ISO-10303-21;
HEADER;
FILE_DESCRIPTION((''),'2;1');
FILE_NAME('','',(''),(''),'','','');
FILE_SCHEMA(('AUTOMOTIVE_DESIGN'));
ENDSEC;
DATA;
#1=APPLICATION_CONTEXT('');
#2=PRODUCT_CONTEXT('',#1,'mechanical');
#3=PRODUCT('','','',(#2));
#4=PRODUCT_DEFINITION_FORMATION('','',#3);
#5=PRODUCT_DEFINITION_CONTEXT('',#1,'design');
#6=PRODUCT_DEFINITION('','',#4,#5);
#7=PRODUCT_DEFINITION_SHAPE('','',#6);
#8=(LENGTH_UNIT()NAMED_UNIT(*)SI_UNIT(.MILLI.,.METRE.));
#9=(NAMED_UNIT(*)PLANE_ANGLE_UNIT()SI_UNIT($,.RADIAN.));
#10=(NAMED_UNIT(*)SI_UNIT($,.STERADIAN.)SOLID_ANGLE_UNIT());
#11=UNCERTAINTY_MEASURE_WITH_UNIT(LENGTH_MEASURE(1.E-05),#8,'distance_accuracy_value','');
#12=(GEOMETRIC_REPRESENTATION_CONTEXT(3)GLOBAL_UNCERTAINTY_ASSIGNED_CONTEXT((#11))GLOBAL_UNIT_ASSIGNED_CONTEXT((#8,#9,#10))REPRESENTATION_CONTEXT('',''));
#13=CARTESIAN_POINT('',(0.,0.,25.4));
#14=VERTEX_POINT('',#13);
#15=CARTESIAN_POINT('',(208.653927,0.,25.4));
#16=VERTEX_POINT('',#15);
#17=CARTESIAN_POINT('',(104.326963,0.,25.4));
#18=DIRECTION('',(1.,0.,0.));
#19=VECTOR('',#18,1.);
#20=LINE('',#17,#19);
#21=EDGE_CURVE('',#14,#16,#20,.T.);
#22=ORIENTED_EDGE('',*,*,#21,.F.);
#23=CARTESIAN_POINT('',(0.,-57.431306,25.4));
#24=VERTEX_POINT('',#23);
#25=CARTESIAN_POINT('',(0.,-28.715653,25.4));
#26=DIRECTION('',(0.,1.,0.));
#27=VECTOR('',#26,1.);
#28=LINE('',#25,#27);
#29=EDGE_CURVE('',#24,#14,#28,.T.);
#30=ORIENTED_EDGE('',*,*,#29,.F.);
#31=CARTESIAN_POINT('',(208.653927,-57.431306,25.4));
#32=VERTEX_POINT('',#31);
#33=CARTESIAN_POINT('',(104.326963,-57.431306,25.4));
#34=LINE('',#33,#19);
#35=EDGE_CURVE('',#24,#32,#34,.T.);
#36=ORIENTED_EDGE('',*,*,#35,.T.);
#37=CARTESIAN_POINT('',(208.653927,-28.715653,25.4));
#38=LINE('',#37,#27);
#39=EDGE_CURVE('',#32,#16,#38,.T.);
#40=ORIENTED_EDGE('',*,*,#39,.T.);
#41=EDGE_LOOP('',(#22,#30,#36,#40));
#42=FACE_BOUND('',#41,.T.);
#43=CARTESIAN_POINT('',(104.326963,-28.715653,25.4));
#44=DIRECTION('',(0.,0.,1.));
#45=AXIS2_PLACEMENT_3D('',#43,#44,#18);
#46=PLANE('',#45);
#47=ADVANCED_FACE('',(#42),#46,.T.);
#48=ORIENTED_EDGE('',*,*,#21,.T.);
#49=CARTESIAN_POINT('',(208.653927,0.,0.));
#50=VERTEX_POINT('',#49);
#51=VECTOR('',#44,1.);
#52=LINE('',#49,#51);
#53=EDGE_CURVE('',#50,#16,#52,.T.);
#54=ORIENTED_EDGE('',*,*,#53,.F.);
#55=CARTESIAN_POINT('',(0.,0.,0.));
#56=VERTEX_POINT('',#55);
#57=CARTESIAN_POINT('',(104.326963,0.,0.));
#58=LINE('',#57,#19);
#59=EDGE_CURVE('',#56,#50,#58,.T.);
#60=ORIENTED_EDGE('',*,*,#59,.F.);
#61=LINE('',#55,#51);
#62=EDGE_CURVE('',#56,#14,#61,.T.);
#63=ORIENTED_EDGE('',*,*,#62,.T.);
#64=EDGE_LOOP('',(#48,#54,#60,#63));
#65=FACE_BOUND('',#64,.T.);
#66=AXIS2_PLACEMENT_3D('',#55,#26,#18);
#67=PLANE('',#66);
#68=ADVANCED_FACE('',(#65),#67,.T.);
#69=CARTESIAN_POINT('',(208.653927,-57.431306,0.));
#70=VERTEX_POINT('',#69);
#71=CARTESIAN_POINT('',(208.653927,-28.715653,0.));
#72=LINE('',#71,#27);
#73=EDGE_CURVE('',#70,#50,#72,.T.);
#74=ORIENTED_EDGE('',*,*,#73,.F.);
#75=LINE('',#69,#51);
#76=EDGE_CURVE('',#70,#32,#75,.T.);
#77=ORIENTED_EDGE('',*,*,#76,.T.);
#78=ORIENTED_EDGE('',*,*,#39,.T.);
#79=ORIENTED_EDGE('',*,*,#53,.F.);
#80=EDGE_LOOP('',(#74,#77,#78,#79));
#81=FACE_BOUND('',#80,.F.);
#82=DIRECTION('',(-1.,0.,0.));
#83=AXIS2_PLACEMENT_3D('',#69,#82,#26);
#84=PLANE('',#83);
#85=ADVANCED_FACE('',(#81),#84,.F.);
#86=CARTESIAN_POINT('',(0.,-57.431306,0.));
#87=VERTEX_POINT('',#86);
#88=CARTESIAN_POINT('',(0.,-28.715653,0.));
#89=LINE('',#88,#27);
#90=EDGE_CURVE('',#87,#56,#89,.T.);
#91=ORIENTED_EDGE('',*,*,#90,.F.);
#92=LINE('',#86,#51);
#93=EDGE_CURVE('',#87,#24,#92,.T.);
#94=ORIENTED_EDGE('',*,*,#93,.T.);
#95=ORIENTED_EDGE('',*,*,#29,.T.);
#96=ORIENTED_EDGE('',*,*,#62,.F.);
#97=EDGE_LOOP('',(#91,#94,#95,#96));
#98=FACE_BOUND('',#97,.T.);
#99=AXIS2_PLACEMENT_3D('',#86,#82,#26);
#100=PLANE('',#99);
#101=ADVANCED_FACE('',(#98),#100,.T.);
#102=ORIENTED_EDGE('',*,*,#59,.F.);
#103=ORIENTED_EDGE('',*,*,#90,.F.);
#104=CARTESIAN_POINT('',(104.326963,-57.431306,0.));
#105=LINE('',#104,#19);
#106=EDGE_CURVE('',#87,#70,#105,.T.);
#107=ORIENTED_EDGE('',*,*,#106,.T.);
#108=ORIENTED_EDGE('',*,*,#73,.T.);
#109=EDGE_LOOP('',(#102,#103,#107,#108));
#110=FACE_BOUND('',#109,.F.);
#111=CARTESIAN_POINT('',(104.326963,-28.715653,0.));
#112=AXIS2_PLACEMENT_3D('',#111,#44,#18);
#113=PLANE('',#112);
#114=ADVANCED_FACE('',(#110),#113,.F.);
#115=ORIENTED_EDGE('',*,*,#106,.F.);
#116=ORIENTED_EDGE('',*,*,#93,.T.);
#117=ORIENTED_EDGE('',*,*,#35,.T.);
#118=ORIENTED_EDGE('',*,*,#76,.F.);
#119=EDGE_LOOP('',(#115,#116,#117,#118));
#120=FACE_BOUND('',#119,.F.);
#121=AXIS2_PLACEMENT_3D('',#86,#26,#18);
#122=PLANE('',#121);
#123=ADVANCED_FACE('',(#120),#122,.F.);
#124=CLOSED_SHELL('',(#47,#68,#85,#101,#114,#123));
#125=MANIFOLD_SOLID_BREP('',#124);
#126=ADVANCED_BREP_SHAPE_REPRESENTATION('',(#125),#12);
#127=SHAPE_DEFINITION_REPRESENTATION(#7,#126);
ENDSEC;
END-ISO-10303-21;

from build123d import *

# Parameters (mm, degrees)
F1_W     = 208.653927
F1_H     = 57.431307
F2_DEPTH = 25.4


with BuildPart() as f2:
    # F1 (on face) → F2 (new body)
    with BuildSketch(Plane.XY):
        with Locations((104.326963, -28.715653)):
            Rectangle(F1_W, F1_H)
    extrude(amount=F2_DEPTH)


solid = f2.part
